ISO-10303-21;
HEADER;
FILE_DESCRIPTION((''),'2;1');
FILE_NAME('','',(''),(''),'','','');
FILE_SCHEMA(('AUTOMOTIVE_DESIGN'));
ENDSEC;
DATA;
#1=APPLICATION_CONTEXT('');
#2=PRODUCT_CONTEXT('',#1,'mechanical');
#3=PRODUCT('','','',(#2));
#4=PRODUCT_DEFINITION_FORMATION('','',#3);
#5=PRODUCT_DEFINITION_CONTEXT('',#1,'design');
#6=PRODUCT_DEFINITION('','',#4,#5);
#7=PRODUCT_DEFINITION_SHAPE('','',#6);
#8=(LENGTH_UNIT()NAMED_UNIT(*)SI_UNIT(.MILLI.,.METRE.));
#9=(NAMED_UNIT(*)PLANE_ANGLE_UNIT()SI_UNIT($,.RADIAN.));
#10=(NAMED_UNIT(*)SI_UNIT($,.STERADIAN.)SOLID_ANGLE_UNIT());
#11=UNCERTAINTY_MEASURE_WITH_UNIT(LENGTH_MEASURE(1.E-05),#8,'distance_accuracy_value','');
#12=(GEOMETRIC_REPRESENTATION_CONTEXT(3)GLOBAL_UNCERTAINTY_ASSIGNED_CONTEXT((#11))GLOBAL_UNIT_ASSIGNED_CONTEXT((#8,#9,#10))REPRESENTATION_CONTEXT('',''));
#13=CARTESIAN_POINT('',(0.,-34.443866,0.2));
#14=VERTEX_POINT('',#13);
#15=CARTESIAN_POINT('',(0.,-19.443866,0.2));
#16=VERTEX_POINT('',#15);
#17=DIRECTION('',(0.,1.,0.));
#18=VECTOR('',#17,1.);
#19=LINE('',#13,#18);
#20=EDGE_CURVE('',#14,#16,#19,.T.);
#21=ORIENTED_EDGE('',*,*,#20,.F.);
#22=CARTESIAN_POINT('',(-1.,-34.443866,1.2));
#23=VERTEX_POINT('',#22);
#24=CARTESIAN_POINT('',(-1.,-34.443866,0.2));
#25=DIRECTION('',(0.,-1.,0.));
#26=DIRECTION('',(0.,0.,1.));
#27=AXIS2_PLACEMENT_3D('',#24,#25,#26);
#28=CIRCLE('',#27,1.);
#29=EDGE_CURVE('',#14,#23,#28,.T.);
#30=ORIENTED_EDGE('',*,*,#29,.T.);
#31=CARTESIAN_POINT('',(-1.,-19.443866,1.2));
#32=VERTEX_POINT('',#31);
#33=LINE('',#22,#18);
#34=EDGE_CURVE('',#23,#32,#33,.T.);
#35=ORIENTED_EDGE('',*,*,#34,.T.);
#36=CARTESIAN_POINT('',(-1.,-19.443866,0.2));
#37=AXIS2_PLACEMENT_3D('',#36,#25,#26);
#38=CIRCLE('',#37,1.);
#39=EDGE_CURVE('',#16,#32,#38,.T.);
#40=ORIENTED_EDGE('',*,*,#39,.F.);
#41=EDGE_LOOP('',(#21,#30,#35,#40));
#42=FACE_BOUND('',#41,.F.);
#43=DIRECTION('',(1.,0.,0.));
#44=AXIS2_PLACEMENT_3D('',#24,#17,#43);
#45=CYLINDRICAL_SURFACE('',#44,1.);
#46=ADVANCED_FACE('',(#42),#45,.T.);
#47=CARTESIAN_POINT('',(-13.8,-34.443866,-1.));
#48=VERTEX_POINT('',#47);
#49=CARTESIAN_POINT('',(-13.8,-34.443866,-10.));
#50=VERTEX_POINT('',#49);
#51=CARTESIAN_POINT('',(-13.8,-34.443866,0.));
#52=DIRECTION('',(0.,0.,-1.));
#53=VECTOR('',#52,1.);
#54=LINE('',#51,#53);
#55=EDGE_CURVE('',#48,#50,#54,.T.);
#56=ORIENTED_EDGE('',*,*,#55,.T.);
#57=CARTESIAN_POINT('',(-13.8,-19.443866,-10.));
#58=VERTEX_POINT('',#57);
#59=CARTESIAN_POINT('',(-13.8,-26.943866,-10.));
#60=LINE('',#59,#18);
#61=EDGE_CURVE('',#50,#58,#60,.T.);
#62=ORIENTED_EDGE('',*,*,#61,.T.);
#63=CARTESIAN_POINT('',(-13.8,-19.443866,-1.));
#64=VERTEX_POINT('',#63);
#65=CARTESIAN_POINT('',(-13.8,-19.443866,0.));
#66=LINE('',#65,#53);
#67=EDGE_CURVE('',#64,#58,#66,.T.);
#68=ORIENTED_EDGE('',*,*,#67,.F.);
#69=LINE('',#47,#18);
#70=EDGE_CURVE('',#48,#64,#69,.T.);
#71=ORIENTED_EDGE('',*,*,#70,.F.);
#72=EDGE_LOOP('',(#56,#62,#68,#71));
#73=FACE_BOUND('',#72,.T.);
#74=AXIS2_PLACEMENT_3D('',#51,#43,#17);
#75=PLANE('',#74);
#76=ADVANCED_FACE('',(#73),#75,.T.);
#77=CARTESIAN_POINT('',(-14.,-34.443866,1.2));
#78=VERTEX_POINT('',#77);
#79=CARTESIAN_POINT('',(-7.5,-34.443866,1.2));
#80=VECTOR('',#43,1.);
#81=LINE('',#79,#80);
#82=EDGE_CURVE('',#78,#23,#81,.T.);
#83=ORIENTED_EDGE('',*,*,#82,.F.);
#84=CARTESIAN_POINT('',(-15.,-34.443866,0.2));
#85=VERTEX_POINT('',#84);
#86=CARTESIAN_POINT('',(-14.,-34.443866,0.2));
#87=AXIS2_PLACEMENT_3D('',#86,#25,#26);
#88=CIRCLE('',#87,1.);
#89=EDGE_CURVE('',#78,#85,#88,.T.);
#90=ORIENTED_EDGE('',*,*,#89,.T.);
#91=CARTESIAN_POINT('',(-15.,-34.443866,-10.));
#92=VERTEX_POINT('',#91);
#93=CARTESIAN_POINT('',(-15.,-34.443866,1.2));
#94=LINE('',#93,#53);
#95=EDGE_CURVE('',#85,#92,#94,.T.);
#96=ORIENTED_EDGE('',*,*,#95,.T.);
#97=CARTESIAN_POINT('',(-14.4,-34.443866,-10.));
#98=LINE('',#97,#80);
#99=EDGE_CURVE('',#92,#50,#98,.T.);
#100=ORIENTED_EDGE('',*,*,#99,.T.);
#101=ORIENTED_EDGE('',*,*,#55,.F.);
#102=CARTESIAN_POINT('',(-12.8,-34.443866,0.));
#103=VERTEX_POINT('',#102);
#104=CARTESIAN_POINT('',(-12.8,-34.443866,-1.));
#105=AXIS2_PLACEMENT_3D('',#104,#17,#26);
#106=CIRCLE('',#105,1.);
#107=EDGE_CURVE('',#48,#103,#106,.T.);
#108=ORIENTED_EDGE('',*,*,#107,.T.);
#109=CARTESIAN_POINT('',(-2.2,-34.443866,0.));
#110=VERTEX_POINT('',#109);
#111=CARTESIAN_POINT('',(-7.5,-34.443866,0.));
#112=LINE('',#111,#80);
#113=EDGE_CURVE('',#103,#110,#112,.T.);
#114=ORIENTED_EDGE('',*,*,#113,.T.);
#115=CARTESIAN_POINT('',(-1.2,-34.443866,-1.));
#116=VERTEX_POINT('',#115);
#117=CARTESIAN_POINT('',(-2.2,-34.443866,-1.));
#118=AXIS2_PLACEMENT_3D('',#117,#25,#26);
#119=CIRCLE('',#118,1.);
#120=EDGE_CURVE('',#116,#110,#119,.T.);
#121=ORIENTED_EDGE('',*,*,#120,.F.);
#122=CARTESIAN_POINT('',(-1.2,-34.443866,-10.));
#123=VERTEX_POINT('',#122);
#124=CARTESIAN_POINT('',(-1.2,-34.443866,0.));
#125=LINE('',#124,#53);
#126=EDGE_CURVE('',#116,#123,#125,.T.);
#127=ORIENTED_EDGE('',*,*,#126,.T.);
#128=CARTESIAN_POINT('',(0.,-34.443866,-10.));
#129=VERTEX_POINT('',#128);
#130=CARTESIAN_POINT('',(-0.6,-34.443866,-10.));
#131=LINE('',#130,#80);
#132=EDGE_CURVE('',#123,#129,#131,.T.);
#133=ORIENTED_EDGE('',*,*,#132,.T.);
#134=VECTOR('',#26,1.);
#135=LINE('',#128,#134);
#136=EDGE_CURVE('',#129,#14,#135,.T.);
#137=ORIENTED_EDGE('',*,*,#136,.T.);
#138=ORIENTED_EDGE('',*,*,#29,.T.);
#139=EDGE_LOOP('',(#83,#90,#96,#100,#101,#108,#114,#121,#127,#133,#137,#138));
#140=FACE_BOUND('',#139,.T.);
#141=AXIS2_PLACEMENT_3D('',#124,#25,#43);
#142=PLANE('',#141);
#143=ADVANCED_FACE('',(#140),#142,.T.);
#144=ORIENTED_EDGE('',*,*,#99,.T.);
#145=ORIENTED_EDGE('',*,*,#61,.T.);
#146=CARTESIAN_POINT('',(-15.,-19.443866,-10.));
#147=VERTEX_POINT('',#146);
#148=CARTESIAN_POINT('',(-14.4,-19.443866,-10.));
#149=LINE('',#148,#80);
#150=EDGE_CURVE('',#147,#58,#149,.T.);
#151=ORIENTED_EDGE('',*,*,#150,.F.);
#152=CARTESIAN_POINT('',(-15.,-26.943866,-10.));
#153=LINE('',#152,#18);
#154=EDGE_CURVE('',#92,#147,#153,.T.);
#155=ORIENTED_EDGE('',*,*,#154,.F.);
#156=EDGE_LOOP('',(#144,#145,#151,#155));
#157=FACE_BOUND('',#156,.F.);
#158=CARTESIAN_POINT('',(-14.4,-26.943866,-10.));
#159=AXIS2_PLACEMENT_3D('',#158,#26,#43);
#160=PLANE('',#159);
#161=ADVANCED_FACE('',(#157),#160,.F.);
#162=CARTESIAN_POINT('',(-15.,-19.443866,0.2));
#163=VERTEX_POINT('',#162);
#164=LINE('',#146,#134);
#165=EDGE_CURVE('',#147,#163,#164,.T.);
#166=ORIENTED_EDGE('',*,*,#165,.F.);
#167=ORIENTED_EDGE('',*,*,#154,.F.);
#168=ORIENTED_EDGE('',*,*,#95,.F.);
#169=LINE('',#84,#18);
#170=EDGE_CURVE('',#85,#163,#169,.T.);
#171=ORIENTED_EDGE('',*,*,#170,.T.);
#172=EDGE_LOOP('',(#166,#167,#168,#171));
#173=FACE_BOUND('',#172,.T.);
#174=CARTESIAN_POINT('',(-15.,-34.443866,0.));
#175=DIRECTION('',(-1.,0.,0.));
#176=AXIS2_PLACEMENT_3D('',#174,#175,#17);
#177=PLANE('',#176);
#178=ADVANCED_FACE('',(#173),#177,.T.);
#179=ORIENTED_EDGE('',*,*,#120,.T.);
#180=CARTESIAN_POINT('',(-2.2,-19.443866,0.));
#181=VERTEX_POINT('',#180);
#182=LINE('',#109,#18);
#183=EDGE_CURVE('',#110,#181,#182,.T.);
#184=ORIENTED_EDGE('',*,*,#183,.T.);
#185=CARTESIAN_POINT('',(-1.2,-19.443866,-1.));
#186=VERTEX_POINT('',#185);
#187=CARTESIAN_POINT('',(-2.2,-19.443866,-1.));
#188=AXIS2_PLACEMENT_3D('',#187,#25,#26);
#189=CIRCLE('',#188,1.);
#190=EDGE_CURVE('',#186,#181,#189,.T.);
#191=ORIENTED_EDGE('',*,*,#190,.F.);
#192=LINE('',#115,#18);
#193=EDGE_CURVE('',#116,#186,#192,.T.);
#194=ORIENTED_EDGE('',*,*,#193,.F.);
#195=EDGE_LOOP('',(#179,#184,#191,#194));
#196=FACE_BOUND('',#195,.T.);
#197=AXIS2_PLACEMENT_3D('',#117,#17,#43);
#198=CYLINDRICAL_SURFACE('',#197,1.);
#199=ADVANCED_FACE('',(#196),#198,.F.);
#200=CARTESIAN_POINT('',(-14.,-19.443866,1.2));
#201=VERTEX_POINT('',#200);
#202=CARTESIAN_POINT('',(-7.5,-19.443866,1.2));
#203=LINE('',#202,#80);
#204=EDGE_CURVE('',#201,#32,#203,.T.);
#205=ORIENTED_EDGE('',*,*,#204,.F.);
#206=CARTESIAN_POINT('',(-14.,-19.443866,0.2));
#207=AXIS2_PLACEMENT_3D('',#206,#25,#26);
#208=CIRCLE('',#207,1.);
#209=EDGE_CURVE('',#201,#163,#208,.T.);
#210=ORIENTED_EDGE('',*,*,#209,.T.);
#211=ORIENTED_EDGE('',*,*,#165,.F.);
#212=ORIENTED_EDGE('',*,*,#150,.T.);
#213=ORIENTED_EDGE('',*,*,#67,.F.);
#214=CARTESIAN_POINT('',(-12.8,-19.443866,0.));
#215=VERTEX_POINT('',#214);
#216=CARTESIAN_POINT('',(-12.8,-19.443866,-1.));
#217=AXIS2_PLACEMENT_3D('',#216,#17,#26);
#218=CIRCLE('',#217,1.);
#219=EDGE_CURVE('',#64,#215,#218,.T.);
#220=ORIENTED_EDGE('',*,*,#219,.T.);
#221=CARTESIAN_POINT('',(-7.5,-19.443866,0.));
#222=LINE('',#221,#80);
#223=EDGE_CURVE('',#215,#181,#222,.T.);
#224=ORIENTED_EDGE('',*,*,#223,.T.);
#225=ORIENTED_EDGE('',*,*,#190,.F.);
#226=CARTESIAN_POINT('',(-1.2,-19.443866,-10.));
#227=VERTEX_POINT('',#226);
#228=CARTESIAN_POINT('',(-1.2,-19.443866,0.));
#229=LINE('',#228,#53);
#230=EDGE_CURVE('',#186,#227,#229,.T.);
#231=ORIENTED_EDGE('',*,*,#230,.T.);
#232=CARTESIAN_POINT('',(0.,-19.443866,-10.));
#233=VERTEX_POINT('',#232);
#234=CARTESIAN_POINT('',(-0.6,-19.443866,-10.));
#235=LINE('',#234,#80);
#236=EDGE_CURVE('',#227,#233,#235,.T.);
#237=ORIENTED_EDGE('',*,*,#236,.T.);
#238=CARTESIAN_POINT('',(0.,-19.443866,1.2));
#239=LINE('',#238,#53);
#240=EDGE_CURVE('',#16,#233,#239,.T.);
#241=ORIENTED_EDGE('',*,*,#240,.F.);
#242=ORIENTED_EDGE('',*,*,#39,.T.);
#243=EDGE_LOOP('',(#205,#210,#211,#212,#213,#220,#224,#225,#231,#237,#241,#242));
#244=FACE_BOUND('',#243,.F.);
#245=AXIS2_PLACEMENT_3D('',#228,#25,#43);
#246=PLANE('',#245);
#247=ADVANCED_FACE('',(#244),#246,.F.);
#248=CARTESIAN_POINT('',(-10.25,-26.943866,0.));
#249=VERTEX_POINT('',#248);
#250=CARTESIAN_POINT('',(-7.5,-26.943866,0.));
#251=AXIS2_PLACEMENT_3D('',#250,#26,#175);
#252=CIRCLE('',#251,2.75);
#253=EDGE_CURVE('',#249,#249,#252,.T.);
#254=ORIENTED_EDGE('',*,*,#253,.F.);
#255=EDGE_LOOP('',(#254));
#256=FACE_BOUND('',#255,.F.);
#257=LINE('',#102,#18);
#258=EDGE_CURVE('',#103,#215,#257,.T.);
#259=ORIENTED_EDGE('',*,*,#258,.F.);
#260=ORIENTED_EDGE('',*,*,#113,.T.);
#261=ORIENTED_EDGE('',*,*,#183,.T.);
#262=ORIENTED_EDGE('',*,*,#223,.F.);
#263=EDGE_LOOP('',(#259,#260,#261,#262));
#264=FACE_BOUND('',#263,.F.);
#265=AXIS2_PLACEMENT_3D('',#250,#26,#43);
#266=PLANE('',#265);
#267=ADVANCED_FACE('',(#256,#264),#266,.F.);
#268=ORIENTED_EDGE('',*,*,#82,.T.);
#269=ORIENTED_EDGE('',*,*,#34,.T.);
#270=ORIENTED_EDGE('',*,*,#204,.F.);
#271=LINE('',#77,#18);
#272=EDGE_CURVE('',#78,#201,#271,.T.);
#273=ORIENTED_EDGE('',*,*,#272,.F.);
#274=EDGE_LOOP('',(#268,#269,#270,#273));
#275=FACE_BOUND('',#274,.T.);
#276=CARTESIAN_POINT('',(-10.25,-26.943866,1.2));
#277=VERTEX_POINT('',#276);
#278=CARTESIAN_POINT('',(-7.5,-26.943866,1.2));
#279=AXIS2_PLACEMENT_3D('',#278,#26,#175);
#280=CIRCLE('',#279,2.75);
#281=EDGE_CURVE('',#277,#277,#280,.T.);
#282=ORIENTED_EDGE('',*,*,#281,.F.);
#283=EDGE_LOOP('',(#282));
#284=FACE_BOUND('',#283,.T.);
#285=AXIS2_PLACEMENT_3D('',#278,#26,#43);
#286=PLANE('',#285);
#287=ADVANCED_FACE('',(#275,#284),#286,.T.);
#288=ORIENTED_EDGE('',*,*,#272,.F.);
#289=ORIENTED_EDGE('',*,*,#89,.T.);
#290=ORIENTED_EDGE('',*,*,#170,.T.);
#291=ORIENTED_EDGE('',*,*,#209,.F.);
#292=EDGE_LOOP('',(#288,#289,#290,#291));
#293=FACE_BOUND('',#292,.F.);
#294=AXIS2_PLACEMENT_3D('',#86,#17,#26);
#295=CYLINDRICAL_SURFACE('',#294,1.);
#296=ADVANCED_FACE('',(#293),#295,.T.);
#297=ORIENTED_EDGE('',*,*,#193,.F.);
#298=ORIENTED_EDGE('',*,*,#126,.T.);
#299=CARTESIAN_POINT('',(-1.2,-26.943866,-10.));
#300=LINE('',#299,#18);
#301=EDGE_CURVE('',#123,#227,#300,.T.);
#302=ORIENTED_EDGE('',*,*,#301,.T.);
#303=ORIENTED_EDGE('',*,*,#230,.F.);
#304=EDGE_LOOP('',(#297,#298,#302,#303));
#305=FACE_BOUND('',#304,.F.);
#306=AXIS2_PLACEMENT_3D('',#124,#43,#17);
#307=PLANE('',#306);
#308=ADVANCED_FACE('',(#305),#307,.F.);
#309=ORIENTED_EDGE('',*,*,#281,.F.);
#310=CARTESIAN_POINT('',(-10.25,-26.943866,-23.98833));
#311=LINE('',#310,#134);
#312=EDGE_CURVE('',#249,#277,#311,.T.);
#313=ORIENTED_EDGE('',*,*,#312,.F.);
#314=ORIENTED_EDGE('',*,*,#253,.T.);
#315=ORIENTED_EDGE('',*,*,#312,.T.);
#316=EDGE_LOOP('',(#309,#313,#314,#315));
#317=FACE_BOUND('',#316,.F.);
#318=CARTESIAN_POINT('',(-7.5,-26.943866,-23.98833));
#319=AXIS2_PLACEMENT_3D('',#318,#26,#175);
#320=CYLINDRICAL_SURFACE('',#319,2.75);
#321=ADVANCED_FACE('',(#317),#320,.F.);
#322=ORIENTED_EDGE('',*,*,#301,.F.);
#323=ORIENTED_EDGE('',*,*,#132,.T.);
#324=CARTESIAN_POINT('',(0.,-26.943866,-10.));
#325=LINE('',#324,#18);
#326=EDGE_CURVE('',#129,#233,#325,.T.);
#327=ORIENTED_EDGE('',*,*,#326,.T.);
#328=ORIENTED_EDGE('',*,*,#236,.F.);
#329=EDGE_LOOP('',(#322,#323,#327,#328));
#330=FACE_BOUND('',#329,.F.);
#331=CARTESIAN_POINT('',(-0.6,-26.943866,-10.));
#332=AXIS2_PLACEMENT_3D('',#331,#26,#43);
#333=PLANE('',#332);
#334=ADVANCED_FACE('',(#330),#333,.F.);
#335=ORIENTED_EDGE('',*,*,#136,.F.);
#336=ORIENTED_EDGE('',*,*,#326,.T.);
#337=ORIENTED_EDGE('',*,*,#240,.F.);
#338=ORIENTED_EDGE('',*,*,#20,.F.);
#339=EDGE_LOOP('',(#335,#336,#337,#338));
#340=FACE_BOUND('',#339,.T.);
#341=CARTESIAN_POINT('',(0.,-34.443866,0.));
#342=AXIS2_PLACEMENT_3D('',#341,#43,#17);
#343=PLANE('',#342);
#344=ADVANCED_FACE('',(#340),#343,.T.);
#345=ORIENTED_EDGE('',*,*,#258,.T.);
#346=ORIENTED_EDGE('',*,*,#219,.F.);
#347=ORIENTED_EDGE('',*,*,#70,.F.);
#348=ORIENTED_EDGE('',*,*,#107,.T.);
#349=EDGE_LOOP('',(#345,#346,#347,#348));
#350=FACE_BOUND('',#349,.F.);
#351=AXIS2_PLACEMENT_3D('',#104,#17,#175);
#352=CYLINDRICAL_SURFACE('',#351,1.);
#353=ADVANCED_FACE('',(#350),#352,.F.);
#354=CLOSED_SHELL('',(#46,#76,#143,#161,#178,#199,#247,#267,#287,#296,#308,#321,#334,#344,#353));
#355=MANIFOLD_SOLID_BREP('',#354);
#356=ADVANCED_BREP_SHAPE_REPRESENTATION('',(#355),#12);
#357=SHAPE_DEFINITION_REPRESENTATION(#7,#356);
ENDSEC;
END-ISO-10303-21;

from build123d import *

# Parameters (mm, degrees)
F0_W     = 15
F0_H     = 15
F2_DEPTH = 1.2
F3_W     = 1.2
F3_H     = 15
F4_DEPTH = 10
F5_R     = 1
F6_D     = 5.5


with BuildPart() as f2:
    # F0 (on Top) → F2 (new body)
    with BuildSketch(Plane.XY):
        with Locations((-7.5, -26.9438664615)):
            Rectangle(F0_W, F0_H)
    extrude(amount=F2_DEPTH)

    # F3 (on face) → F4 (join)
    with BuildSketch(Plane.XY):
        with Locations((-0.6, -26.9438664615)):
            Rectangle(F3_W, F3_H)
        with Locations((-14.4, -26.9438664615)):
            Rectangle(F3_W, F3_H)
    extrude(amount=-F4_DEPTH)

    # F5
    f5_edges = [f2.edges().sort_by_distance(p)[0] for p in [
        (-15, -26.943866, 1.2),
        (0, -26.943866, 1.2),
        (-1.2, -26.943866, 0),
        (-13.8, -26.943866, 0),
    ]]
    fillet(f5_edges, radius=F5_R)

    # F6 (through all)
    with Locations(Plane(origin=(0, 0, 0), x_dir=(1, 0, 0), z_dir=(0, 0, -1))):
        with Locations((-7.5, 26.9438664615)):
            Hole(F6_D / 2)


solid = f2.part
